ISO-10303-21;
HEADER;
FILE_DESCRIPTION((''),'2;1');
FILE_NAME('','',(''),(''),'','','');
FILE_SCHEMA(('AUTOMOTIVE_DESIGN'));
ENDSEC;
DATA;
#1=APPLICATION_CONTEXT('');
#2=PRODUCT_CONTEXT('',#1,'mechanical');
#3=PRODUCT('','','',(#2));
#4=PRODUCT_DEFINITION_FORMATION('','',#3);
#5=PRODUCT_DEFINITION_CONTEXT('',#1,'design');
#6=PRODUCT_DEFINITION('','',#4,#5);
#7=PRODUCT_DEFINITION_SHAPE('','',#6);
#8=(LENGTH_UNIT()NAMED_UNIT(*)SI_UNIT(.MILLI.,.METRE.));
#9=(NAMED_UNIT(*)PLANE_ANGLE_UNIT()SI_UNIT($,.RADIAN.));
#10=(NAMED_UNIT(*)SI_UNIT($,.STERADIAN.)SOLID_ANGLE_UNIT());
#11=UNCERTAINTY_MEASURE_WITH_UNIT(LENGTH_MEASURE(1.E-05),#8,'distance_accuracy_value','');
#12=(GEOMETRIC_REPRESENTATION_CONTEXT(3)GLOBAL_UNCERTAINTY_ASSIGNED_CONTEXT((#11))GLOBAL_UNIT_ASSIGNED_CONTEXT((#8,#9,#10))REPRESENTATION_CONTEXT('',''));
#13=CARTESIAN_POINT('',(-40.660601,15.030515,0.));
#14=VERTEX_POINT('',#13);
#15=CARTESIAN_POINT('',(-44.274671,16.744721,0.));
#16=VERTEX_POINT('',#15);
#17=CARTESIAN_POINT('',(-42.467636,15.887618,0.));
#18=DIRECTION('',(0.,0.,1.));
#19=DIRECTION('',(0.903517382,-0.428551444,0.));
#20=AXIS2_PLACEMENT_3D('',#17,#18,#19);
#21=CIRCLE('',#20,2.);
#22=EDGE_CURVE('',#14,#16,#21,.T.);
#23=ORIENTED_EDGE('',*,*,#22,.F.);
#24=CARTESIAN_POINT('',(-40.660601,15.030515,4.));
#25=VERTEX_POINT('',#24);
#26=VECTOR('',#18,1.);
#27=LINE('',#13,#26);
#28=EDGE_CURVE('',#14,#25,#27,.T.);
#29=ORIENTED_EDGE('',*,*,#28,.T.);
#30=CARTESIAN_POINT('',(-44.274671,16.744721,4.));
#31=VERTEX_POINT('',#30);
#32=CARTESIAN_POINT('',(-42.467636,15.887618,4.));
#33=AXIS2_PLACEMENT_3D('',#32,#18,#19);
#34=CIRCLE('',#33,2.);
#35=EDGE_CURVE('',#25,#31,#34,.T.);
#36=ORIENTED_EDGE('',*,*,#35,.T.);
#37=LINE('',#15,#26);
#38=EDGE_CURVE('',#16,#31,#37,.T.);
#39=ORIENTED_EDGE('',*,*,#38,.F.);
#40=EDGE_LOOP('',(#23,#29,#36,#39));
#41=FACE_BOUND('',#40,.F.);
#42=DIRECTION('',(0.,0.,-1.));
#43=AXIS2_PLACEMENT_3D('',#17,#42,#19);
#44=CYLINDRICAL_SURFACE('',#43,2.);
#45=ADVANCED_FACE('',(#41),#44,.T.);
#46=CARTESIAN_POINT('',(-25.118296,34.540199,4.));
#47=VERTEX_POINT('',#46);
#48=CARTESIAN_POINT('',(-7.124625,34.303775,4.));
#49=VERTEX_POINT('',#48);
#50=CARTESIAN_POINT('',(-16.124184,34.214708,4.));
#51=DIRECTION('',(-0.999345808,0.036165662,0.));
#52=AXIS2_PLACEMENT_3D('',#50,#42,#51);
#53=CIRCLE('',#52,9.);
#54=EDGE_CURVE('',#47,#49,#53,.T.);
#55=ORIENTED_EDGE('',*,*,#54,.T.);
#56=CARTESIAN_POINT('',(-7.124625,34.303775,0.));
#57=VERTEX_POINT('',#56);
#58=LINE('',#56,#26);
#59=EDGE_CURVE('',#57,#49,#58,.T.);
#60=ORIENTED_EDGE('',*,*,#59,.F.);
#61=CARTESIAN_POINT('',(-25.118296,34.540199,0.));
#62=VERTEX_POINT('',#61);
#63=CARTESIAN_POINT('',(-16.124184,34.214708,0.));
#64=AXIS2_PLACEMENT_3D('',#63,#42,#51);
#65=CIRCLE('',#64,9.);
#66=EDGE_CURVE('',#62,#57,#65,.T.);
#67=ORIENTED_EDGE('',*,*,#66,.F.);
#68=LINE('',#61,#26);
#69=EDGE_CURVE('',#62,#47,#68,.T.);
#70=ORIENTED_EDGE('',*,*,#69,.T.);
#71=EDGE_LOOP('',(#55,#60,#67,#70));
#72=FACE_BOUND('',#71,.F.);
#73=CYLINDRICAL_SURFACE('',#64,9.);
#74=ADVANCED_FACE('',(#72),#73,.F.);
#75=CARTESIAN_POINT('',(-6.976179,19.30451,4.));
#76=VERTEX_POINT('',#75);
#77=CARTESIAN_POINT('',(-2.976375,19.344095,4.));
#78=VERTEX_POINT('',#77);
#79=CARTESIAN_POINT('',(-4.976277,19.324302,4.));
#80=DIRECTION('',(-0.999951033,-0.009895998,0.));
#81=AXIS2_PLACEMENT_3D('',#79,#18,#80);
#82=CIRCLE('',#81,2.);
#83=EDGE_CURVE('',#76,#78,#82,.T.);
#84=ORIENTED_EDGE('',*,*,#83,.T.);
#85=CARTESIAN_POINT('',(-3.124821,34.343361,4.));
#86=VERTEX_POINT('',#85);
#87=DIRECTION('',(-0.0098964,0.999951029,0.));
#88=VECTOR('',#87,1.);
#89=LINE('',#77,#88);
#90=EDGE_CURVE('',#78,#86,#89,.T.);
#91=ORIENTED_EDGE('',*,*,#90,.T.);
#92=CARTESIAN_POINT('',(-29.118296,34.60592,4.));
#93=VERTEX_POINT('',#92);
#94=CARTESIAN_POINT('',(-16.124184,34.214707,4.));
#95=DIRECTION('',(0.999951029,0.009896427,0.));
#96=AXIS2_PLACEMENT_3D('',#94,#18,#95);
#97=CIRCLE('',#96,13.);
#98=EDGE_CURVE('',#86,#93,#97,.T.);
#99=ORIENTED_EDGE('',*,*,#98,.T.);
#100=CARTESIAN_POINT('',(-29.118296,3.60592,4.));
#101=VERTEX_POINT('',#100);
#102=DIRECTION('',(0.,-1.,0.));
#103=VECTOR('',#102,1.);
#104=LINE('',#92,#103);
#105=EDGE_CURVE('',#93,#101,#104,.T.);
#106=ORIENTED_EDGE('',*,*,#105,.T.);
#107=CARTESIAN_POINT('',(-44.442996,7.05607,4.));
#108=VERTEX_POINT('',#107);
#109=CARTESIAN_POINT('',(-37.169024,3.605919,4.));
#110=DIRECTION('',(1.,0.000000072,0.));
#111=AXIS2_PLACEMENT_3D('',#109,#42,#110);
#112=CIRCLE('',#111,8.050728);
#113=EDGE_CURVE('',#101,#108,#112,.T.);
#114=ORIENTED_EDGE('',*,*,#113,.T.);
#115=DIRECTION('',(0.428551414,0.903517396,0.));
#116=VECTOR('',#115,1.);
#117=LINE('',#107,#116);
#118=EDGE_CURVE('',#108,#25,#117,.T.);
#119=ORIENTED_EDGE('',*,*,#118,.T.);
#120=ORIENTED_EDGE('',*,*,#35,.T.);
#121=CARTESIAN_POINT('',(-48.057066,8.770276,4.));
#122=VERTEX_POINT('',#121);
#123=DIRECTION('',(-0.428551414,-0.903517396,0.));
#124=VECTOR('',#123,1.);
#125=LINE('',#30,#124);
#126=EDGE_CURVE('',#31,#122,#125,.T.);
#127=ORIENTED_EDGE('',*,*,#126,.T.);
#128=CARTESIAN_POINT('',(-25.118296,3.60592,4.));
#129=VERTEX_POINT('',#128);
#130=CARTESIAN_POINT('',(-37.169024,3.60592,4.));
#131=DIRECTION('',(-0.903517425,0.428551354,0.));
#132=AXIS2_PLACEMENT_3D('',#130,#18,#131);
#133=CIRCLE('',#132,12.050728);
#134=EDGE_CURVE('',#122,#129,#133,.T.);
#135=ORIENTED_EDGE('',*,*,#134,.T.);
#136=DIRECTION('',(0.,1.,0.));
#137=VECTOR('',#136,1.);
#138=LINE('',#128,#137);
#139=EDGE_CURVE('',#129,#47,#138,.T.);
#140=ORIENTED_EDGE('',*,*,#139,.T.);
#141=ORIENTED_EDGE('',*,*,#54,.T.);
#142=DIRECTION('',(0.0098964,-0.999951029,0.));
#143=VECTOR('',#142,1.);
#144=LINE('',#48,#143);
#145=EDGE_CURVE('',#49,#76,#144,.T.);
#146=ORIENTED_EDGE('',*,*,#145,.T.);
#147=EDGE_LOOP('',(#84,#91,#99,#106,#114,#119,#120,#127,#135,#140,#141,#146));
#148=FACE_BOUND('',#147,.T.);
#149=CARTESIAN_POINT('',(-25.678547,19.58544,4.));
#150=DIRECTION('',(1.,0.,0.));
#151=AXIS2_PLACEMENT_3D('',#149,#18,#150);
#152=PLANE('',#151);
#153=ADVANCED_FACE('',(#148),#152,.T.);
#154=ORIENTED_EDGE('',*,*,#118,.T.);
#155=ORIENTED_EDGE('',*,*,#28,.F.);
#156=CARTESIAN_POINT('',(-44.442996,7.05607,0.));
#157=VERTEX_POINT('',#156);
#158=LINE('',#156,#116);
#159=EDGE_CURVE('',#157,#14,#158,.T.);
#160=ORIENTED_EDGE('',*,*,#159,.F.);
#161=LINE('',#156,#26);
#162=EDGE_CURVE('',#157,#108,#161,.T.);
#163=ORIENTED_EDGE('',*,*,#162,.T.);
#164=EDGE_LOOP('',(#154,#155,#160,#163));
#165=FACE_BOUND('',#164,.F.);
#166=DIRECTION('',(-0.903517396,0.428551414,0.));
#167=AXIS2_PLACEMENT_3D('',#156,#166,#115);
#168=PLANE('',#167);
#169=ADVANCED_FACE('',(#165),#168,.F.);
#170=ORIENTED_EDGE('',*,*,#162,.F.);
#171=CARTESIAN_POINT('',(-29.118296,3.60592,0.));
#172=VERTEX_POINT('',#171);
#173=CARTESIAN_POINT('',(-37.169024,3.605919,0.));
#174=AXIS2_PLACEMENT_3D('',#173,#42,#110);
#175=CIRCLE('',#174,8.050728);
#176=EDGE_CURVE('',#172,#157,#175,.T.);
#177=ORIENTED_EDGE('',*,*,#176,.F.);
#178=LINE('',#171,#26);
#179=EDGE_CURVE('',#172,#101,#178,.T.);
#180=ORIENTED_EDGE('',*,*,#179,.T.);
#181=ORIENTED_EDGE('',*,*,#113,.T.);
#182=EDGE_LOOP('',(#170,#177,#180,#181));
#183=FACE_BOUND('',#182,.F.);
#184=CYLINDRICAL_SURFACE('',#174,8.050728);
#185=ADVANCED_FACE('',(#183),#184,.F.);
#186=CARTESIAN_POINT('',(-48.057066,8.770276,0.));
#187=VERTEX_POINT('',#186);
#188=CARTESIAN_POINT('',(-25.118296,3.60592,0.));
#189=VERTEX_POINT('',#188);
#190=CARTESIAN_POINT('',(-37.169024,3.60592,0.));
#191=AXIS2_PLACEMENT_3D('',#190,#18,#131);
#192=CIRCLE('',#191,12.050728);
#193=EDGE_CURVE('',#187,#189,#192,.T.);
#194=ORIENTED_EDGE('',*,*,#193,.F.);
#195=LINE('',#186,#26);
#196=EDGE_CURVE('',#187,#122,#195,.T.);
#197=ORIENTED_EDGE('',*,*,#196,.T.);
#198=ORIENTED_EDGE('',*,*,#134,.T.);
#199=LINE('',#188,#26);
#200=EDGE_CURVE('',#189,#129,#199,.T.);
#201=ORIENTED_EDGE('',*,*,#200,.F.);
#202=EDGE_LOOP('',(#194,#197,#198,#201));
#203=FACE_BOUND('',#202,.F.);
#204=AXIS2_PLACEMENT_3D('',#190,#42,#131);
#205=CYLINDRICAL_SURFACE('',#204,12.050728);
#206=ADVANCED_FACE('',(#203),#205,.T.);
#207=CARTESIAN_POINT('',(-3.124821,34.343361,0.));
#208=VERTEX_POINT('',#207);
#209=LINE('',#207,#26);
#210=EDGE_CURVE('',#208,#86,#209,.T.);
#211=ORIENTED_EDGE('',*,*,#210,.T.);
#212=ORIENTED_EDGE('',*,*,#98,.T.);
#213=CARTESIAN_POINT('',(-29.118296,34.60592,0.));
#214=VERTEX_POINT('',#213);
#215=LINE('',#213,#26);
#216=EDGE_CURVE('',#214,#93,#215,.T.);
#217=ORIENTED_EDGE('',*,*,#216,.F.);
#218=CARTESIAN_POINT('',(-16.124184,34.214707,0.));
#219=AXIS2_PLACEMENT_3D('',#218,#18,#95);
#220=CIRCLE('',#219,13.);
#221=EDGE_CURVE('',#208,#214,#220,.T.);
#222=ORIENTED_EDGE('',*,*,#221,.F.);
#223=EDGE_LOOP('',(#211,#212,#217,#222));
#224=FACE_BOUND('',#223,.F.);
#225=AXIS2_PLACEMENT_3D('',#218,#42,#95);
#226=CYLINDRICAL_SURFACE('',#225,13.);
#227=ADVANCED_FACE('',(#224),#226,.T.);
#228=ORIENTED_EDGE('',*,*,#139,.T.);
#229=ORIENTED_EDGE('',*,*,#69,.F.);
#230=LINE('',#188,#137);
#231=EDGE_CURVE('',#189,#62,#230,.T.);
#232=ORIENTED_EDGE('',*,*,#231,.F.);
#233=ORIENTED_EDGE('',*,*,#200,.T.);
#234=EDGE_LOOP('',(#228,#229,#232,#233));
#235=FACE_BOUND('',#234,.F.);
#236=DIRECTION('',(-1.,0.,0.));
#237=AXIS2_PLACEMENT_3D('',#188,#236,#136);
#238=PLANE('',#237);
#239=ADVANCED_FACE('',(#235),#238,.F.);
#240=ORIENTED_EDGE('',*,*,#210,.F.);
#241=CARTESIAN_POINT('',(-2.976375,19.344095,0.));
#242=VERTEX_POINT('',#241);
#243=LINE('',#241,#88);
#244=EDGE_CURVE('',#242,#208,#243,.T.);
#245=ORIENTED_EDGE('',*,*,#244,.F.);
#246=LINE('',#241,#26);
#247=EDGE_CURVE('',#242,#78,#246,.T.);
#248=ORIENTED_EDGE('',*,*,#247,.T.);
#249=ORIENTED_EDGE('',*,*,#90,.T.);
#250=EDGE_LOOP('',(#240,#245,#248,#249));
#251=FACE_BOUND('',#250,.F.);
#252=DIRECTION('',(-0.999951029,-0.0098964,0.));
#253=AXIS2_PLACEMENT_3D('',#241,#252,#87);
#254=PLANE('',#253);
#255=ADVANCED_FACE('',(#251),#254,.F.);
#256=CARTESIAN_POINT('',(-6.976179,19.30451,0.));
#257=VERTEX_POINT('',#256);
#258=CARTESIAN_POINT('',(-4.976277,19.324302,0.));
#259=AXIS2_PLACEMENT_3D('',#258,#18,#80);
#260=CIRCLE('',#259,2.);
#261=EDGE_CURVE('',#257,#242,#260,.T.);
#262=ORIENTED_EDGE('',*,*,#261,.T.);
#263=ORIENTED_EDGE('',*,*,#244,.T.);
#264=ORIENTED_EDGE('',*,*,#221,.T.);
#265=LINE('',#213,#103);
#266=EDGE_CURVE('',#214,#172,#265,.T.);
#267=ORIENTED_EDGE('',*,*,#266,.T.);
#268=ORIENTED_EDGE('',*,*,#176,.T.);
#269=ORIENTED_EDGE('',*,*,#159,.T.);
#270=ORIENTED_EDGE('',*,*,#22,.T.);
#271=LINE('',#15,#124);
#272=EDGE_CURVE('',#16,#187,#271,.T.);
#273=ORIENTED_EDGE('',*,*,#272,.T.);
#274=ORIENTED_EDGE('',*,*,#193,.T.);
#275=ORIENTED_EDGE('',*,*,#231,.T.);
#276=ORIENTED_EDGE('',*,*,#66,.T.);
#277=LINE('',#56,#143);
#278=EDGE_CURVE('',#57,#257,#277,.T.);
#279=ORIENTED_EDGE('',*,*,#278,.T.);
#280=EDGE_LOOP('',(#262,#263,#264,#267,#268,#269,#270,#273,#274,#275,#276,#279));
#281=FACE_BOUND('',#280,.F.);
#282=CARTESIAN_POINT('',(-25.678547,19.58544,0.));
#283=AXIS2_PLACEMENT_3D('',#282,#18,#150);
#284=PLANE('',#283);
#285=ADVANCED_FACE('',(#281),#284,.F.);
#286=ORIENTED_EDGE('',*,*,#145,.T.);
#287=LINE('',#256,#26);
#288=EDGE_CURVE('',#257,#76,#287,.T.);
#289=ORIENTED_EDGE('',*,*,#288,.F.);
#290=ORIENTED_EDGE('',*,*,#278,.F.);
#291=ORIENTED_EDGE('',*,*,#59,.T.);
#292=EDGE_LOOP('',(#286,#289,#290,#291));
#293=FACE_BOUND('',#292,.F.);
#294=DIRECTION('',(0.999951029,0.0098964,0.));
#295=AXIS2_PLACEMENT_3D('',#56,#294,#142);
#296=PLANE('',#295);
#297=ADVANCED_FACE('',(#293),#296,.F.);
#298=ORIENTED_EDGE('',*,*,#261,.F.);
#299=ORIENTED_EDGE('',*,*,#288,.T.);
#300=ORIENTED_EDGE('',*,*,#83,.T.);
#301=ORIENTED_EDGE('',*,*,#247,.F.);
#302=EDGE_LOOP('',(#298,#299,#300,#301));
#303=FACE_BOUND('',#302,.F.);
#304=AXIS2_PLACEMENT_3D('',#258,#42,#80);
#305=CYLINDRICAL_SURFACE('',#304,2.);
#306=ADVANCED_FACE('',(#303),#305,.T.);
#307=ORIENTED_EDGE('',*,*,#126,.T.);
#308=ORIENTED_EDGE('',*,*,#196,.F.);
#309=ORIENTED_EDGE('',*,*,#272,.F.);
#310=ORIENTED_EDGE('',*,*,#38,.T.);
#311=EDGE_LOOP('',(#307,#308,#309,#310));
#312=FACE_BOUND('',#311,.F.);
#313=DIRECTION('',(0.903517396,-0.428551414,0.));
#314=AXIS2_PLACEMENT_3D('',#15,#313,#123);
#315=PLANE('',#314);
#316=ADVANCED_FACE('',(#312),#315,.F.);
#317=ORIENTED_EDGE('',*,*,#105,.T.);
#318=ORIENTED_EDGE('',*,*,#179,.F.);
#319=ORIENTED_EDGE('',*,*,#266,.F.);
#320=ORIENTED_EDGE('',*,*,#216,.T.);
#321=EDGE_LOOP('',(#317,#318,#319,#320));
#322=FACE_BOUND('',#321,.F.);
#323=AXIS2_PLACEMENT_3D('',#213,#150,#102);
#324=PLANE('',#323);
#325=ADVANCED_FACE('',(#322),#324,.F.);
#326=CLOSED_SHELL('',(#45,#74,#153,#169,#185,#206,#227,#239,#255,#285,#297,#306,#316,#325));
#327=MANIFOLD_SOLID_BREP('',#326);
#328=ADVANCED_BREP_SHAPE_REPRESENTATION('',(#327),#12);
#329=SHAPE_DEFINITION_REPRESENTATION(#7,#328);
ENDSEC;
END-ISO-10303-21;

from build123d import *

# Parameters (mm, degrees)
F1_DEPTH = 4


with BuildPart() as f1:
    # F0 (on Top) → F1 (new body)
    with BuildSketch(Plane.XY):
        with BuildLine():
            Line((-2.976375, 19.344095), (-3.124821, 34.343361))
            ThreePointArc((-3.124821, 34.343361), (-15.992878, 47.214044), (-29.118296, 34.60592))
            Line((-29.118296, 34.60592), (-29.118296, 3.60592))
            ThreePointArc((-29.118296, 3.60592), (-38.937278, -4.248219), (-44.442996, 7.05607))
            Line((-44.442996, 7.05607), (-40.660601, 15.030515))
            ThreePointArc((-40.660601, 15.030515), (-41.610533, 17.694653), (-44.274671, 16.744721))
            Line((-44.274671, 16.744721), (-48.057066, 8.770276))
            ThreePointArc((-48.057066, 8.770276), (-39.815834, -8.150543), (-25.118296, 3.60592))
            Line((-25.118296, 3.60592), (-25.118296, 34.540199))
            ThreePointArc((-25.118296, 34.540199), (-16.005941, 43.213931), (-7.124625, 34.303775))
            Line((-7.124625, 34.303775), (-6.976179, 19.30451))
            ThreePointArc((-6.976179, 19.30451), (-4.956484, 17.3244), (-2.976375, 19.344095))
        make_face()
    extrude(amount=F1_DEPTH)


solid = f1.part
